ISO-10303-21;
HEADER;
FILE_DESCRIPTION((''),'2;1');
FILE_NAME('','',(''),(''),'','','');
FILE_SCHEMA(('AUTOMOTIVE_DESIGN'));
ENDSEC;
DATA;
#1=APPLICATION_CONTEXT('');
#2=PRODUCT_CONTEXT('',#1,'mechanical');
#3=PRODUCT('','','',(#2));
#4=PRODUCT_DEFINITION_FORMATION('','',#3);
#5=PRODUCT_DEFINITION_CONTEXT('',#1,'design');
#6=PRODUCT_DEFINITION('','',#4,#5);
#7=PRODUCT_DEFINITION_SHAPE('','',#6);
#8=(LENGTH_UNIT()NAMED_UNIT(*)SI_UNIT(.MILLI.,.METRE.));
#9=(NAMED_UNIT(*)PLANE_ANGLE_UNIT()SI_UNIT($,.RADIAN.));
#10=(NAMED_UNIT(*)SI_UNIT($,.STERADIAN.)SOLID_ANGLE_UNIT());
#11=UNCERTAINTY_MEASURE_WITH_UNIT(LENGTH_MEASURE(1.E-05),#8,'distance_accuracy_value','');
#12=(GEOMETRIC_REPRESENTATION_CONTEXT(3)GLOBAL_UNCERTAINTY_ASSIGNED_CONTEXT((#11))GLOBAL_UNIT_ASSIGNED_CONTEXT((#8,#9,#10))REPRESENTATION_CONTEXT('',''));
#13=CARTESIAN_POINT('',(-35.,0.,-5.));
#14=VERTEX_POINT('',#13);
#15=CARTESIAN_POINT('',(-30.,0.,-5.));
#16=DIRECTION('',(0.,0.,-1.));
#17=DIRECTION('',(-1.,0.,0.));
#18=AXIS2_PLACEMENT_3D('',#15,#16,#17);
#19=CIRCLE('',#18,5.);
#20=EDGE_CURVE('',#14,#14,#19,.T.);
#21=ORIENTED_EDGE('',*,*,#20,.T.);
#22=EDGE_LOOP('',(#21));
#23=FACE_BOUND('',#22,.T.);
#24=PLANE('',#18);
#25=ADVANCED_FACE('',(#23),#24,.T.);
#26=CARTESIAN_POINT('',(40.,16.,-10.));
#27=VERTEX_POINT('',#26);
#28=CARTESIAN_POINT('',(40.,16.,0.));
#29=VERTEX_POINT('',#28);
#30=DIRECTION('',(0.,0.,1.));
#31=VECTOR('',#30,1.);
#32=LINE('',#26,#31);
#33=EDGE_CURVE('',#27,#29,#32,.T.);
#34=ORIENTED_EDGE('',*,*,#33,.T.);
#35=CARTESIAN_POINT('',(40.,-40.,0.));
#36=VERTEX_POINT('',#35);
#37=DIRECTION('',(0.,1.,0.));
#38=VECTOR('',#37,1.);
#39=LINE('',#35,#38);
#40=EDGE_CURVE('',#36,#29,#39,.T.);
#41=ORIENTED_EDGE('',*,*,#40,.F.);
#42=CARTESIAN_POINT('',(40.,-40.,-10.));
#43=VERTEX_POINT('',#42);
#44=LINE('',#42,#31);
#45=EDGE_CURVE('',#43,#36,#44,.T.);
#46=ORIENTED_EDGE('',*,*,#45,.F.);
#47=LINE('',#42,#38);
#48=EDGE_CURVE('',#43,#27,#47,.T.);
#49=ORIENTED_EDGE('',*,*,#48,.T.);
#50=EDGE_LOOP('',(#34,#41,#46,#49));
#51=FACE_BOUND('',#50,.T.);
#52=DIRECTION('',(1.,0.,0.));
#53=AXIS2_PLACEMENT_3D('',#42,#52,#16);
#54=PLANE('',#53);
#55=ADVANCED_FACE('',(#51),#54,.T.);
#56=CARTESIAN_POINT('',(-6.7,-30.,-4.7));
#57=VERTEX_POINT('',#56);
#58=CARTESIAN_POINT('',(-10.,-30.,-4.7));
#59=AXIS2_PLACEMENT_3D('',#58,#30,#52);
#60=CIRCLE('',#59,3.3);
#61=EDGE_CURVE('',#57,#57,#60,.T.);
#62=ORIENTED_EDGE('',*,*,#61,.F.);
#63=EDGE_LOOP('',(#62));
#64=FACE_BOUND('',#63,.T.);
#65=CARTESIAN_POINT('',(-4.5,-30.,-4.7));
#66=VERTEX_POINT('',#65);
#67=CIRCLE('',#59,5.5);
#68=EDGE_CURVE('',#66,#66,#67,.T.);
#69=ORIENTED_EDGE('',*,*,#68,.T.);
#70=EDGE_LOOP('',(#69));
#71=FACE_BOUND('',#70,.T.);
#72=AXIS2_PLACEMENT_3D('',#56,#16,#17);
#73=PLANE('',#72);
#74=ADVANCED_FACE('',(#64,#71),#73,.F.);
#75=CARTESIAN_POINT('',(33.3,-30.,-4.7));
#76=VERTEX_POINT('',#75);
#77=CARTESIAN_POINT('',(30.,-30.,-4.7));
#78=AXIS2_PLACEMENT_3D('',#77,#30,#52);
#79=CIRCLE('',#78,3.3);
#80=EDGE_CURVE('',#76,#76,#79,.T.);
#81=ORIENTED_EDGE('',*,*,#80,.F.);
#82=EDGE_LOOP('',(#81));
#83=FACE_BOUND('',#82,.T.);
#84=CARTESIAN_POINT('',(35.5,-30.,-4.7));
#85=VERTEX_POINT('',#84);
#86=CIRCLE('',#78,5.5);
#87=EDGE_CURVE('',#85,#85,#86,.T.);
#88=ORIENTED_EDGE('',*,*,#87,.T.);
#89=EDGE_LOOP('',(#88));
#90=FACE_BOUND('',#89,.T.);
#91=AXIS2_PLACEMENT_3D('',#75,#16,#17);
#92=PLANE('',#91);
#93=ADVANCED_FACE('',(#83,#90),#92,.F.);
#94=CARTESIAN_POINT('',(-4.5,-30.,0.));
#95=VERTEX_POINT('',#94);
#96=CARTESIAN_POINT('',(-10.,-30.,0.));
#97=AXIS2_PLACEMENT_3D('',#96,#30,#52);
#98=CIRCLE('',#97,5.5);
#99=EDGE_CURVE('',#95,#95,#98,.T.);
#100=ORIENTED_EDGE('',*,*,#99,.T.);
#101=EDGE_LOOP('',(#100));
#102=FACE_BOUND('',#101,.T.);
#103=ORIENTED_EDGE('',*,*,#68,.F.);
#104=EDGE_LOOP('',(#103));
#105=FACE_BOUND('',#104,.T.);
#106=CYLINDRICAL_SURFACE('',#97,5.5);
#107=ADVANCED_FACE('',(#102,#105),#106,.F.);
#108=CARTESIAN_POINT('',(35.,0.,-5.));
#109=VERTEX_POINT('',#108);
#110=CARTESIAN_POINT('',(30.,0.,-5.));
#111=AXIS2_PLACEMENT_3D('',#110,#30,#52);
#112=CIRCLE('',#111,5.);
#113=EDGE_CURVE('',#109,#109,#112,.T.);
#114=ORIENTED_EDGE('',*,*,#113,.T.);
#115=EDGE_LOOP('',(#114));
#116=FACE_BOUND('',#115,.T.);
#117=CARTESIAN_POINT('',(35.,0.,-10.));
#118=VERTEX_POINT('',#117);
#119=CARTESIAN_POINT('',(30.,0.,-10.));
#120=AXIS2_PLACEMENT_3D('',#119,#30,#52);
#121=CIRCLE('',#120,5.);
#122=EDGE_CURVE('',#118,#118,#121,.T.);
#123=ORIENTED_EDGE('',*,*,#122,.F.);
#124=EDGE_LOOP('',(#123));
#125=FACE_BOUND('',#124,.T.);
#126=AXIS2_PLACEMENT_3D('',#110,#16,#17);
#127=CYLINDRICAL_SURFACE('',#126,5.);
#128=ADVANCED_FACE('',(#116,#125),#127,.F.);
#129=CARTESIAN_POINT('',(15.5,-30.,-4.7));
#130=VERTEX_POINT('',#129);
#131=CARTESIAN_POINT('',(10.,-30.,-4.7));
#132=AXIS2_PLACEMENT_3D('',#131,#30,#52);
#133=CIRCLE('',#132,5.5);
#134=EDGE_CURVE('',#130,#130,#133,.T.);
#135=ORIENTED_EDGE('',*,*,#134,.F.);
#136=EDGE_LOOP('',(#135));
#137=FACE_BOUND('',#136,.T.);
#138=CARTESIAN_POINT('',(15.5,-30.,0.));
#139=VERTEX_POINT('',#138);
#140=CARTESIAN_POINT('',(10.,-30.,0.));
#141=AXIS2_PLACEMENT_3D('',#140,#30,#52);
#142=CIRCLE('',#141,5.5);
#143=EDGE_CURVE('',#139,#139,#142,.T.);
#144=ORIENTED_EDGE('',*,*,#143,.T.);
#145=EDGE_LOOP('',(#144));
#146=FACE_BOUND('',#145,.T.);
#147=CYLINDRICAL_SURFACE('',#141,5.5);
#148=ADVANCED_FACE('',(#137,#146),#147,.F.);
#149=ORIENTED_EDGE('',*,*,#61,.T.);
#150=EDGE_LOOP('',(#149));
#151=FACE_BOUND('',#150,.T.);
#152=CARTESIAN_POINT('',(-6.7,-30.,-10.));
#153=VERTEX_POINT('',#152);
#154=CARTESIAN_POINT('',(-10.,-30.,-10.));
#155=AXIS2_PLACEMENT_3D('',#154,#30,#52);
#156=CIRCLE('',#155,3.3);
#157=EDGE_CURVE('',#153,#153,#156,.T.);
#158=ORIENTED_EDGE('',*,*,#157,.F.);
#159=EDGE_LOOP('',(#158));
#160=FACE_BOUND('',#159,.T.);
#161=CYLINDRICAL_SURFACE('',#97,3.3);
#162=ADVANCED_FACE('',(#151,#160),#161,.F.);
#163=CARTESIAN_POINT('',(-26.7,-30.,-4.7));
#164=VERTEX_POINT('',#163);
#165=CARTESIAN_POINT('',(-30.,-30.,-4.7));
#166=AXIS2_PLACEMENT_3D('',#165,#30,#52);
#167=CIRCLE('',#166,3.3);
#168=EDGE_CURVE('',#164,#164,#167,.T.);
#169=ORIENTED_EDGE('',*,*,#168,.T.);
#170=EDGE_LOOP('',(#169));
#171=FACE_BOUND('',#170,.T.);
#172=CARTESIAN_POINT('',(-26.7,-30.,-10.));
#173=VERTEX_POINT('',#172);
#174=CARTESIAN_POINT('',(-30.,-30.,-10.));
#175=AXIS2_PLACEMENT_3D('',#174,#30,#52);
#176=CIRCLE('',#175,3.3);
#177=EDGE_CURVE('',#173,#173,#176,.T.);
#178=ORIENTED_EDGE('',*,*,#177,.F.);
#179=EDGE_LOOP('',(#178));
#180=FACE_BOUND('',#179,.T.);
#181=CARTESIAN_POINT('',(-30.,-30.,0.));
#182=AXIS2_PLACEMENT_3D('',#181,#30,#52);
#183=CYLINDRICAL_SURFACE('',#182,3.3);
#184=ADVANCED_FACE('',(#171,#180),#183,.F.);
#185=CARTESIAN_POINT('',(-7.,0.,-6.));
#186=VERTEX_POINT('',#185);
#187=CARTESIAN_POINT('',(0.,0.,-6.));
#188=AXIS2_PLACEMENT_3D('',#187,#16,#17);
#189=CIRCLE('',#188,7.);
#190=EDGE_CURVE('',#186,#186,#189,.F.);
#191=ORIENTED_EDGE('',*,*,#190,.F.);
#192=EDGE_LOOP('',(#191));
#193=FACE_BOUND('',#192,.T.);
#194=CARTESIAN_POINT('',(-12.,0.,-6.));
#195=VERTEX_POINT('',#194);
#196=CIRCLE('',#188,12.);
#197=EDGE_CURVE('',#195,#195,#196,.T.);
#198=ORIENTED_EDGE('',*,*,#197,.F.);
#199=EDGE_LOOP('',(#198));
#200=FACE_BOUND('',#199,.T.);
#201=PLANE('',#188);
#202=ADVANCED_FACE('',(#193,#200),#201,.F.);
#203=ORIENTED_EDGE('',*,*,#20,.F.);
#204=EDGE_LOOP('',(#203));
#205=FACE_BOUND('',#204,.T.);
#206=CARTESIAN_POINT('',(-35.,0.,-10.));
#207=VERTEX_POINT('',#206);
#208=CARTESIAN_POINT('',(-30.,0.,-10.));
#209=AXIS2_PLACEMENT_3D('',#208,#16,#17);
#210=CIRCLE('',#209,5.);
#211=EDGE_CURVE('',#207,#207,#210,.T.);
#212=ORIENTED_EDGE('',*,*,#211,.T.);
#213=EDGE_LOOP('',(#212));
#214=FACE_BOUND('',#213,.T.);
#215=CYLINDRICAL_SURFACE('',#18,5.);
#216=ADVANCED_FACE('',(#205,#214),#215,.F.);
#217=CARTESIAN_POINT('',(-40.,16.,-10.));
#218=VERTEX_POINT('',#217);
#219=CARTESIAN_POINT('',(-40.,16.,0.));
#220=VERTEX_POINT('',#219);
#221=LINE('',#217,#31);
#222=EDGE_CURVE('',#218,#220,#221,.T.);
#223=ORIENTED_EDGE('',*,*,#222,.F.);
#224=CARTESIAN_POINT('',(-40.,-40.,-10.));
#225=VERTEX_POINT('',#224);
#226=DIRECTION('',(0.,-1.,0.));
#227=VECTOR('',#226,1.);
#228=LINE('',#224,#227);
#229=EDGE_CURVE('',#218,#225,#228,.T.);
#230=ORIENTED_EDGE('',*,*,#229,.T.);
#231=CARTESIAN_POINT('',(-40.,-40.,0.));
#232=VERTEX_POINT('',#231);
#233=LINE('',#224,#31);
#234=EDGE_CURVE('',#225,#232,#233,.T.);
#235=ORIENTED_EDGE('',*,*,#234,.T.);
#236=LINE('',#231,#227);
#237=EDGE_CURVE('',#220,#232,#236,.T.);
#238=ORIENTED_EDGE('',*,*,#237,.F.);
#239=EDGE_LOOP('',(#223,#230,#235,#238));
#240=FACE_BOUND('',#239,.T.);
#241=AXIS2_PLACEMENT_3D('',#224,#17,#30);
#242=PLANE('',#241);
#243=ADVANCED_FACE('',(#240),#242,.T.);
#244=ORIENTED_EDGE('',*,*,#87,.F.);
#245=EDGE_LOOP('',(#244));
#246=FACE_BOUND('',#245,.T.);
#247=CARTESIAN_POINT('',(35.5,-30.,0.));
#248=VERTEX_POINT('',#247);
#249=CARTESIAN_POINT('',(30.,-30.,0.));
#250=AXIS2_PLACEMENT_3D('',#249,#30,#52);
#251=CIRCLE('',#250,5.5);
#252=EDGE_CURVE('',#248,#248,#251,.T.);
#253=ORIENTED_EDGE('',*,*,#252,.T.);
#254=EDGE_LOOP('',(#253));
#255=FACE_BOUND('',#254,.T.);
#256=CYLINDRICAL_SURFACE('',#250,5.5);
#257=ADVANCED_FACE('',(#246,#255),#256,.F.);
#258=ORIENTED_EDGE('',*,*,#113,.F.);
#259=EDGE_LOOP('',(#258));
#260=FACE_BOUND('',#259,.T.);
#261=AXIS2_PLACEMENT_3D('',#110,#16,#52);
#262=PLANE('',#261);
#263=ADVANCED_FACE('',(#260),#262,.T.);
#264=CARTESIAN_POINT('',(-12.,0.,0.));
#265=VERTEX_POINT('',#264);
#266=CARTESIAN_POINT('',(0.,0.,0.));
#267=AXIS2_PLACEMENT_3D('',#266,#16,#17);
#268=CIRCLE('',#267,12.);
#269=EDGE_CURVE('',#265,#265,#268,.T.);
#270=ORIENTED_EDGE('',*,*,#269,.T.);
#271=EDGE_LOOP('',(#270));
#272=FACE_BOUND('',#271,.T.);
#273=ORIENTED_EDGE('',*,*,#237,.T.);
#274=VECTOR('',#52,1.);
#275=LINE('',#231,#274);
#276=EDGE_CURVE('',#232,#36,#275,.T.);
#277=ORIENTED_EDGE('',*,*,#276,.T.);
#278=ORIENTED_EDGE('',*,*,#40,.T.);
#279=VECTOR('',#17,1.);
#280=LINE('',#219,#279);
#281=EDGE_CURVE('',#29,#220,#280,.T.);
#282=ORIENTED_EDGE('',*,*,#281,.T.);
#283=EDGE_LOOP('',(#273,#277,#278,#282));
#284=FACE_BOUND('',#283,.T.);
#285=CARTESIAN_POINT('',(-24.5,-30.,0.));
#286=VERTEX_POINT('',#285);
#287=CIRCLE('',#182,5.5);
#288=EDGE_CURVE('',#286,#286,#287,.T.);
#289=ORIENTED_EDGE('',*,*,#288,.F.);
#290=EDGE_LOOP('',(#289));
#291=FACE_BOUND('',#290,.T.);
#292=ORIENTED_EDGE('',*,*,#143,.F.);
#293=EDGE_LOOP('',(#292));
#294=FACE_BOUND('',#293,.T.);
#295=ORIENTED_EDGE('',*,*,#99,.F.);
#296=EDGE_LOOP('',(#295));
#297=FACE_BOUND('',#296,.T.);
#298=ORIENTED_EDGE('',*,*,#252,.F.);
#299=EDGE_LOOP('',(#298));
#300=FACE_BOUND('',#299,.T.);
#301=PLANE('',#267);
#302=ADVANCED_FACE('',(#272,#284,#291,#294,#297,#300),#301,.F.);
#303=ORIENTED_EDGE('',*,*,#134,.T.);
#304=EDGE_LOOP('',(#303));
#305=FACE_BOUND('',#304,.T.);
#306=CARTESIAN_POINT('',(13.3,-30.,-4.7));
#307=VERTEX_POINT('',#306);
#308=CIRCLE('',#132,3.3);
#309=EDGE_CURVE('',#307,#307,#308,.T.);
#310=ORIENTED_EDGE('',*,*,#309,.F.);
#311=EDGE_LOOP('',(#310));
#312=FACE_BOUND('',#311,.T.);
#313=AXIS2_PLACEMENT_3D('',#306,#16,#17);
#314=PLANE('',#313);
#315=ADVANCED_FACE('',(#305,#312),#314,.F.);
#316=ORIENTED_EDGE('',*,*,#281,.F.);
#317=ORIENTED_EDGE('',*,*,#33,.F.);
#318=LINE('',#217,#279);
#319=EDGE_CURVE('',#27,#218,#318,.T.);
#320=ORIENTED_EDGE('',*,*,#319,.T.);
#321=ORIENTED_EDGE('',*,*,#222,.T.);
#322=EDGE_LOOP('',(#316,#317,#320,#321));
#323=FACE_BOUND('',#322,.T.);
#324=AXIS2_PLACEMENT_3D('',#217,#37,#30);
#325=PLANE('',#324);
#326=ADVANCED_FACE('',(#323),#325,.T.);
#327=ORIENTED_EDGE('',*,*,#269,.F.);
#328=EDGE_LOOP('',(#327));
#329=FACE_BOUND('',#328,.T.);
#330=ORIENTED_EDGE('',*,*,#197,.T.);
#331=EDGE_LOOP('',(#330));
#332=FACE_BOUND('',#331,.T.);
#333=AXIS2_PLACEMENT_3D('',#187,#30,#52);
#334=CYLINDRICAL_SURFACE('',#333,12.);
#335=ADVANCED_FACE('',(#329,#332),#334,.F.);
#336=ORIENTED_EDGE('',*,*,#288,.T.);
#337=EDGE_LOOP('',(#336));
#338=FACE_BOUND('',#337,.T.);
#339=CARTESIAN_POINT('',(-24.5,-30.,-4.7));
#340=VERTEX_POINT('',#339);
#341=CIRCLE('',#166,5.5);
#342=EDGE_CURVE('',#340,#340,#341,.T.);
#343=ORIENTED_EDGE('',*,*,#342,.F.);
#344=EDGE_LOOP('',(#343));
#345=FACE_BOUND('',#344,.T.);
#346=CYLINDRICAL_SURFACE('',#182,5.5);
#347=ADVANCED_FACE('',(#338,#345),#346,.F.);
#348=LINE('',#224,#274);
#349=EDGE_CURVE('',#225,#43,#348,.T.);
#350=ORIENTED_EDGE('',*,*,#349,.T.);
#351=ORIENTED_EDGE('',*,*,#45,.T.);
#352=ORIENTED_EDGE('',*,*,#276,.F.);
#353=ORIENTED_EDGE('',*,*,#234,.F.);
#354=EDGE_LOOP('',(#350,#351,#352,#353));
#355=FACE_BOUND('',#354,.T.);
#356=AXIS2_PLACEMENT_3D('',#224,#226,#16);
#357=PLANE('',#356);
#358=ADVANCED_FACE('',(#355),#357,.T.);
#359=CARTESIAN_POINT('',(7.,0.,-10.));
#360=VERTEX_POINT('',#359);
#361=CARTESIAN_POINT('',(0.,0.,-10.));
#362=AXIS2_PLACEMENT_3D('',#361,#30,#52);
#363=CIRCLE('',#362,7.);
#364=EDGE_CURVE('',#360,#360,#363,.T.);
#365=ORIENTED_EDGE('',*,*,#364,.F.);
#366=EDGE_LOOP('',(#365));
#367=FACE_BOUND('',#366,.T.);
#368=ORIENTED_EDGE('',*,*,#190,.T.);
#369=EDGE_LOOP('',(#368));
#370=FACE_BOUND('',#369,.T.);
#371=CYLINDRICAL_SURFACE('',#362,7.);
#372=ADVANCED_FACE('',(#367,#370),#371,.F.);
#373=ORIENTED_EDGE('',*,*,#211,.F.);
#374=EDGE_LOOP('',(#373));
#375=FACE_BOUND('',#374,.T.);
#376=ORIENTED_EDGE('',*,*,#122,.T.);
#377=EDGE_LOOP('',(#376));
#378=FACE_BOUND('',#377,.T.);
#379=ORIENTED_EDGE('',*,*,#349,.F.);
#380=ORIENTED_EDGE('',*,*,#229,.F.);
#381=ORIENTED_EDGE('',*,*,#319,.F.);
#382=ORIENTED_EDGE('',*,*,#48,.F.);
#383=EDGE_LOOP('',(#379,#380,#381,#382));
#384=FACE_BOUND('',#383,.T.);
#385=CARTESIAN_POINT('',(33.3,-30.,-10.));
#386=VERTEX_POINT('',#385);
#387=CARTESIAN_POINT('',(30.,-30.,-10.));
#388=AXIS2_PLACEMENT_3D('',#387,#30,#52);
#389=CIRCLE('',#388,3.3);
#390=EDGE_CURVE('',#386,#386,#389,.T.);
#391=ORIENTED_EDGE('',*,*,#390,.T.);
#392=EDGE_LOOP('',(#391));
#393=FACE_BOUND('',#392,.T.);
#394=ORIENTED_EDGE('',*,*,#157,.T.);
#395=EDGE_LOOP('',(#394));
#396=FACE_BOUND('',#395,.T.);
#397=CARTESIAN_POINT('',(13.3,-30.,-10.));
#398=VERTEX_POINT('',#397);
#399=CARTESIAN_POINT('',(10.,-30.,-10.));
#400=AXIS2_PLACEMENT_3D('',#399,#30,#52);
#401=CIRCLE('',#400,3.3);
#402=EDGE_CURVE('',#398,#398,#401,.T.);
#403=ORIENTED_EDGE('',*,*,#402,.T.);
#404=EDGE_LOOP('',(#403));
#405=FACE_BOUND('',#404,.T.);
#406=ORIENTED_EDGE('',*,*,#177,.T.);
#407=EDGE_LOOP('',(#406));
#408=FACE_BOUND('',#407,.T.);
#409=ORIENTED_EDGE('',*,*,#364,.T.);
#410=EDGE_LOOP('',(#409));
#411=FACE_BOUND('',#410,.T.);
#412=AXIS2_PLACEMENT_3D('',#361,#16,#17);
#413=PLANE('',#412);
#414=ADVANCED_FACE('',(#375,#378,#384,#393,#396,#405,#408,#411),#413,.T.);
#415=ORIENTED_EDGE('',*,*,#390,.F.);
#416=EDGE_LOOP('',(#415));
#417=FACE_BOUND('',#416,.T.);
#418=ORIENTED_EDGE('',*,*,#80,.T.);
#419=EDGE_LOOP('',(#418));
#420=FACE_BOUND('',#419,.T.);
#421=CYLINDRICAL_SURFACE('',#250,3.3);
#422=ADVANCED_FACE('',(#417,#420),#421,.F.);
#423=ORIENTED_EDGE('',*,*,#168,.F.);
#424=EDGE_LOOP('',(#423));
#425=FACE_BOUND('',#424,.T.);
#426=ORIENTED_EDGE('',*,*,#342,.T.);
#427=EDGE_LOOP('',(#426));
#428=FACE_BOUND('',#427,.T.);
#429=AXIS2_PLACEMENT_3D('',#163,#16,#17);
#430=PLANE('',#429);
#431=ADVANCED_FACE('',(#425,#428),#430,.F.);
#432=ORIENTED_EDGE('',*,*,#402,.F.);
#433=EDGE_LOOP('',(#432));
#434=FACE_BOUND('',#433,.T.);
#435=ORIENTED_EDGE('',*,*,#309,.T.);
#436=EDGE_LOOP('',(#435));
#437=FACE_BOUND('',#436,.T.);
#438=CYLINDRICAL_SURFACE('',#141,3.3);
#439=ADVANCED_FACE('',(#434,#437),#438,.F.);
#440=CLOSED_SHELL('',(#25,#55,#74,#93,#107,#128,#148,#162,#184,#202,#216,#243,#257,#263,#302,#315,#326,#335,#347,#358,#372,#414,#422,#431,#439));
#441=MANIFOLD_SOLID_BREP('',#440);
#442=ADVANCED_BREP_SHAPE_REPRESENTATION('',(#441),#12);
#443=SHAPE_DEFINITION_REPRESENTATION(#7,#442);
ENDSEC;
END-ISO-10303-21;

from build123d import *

# Parameters (mm, degrees)
SKETCH_1_W                   = 80
SKETCH_1_H                   = 56
EXTRUDE_1_DEPTH              = 10
HOLE_WIZARD_M6_1_D           = 6.6
HOLE_WIZARD_M6_1_CBORE_D     = 11
HOLE_WIZARD_M6_1_CBORE_DEPTH = 4.7
SKETCH_5_R                   = 7
CUT_EXTRUDE_1_DEPTH          = 10
SKETCH_6_R                   = 12
CUT_EXTRUDE_2_DEPTH          = 6
SKETCH_7_R                   = 5
CUT_EXTRUDE_3_DEPTH          = 5


with BuildPart() as part:
    # 草图1 → 凸台-拉伸1 (new body)
    with BuildSketch(Plane.XY):
        with Locations((0, -12)):
            Rectangle(SKETCH_1_W, SKETCH_1_H)
    extrude(amount=-EXTRUDE_1_DEPTH)

    # M6 内六角花型圆柱头螺钉的柱形沉头孔1 (through all)
    with Locations(Plane.XY):
        with Locations((30, -30), (-30, -30), (10, -30), (-10, -30)):
            CounterBoreHole(HOLE_WIZARD_M6_1_D / 2, HOLE_WIZARD_M6_1_CBORE_D / 2, HOLE_WIZARD_M6_1_CBORE_DEPTH)

    # 草图5 → 切除-拉伸1 (cut)
    with BuildSketch(Plane.XY):
        Circle(SKETCH_5_R)
    extrude(amount=-CUT_EXTRUDE_1_DEPTH, mode=Mode.SUBTRACT)

    # 草图6 → 切除-拉伸2 (cut)
    with BuildSketch(Plane(origin=(0, 0, 0), x_dir=(-1, 0, 0), z_dir=(0, 0, -1))):
        Circle(SKETCH_6_R)
    extrude(amount=CUT_EXTRUDE_2_DEPTH, mode=Mode.SUBTRACT)

    # 草图7 → 切除-拉伸3 (cut)
    with BuildSketch(Plane(origin=(0, 0, -10), x_dir=(-1, 0, 0), z_dir=(0, 0, -1))):
        with Locations((30, 0)):
            Circle(SKETCH_7_R)
    cut_extrude_3 = extrude(amount=-CUT_EXTRUDE_3_DEPTH, mode=Mode.SUBTRACT)

    # 镜向1: 切除-拉伸3 across plane
    add(cut_extrude_3.mirror(Plane(origin=(0, 0, 0), x_dir=(0, 0, 1), z_dir=(1, 0, 0))), mode=Mode.SUBTRACT)


solid = part.part
